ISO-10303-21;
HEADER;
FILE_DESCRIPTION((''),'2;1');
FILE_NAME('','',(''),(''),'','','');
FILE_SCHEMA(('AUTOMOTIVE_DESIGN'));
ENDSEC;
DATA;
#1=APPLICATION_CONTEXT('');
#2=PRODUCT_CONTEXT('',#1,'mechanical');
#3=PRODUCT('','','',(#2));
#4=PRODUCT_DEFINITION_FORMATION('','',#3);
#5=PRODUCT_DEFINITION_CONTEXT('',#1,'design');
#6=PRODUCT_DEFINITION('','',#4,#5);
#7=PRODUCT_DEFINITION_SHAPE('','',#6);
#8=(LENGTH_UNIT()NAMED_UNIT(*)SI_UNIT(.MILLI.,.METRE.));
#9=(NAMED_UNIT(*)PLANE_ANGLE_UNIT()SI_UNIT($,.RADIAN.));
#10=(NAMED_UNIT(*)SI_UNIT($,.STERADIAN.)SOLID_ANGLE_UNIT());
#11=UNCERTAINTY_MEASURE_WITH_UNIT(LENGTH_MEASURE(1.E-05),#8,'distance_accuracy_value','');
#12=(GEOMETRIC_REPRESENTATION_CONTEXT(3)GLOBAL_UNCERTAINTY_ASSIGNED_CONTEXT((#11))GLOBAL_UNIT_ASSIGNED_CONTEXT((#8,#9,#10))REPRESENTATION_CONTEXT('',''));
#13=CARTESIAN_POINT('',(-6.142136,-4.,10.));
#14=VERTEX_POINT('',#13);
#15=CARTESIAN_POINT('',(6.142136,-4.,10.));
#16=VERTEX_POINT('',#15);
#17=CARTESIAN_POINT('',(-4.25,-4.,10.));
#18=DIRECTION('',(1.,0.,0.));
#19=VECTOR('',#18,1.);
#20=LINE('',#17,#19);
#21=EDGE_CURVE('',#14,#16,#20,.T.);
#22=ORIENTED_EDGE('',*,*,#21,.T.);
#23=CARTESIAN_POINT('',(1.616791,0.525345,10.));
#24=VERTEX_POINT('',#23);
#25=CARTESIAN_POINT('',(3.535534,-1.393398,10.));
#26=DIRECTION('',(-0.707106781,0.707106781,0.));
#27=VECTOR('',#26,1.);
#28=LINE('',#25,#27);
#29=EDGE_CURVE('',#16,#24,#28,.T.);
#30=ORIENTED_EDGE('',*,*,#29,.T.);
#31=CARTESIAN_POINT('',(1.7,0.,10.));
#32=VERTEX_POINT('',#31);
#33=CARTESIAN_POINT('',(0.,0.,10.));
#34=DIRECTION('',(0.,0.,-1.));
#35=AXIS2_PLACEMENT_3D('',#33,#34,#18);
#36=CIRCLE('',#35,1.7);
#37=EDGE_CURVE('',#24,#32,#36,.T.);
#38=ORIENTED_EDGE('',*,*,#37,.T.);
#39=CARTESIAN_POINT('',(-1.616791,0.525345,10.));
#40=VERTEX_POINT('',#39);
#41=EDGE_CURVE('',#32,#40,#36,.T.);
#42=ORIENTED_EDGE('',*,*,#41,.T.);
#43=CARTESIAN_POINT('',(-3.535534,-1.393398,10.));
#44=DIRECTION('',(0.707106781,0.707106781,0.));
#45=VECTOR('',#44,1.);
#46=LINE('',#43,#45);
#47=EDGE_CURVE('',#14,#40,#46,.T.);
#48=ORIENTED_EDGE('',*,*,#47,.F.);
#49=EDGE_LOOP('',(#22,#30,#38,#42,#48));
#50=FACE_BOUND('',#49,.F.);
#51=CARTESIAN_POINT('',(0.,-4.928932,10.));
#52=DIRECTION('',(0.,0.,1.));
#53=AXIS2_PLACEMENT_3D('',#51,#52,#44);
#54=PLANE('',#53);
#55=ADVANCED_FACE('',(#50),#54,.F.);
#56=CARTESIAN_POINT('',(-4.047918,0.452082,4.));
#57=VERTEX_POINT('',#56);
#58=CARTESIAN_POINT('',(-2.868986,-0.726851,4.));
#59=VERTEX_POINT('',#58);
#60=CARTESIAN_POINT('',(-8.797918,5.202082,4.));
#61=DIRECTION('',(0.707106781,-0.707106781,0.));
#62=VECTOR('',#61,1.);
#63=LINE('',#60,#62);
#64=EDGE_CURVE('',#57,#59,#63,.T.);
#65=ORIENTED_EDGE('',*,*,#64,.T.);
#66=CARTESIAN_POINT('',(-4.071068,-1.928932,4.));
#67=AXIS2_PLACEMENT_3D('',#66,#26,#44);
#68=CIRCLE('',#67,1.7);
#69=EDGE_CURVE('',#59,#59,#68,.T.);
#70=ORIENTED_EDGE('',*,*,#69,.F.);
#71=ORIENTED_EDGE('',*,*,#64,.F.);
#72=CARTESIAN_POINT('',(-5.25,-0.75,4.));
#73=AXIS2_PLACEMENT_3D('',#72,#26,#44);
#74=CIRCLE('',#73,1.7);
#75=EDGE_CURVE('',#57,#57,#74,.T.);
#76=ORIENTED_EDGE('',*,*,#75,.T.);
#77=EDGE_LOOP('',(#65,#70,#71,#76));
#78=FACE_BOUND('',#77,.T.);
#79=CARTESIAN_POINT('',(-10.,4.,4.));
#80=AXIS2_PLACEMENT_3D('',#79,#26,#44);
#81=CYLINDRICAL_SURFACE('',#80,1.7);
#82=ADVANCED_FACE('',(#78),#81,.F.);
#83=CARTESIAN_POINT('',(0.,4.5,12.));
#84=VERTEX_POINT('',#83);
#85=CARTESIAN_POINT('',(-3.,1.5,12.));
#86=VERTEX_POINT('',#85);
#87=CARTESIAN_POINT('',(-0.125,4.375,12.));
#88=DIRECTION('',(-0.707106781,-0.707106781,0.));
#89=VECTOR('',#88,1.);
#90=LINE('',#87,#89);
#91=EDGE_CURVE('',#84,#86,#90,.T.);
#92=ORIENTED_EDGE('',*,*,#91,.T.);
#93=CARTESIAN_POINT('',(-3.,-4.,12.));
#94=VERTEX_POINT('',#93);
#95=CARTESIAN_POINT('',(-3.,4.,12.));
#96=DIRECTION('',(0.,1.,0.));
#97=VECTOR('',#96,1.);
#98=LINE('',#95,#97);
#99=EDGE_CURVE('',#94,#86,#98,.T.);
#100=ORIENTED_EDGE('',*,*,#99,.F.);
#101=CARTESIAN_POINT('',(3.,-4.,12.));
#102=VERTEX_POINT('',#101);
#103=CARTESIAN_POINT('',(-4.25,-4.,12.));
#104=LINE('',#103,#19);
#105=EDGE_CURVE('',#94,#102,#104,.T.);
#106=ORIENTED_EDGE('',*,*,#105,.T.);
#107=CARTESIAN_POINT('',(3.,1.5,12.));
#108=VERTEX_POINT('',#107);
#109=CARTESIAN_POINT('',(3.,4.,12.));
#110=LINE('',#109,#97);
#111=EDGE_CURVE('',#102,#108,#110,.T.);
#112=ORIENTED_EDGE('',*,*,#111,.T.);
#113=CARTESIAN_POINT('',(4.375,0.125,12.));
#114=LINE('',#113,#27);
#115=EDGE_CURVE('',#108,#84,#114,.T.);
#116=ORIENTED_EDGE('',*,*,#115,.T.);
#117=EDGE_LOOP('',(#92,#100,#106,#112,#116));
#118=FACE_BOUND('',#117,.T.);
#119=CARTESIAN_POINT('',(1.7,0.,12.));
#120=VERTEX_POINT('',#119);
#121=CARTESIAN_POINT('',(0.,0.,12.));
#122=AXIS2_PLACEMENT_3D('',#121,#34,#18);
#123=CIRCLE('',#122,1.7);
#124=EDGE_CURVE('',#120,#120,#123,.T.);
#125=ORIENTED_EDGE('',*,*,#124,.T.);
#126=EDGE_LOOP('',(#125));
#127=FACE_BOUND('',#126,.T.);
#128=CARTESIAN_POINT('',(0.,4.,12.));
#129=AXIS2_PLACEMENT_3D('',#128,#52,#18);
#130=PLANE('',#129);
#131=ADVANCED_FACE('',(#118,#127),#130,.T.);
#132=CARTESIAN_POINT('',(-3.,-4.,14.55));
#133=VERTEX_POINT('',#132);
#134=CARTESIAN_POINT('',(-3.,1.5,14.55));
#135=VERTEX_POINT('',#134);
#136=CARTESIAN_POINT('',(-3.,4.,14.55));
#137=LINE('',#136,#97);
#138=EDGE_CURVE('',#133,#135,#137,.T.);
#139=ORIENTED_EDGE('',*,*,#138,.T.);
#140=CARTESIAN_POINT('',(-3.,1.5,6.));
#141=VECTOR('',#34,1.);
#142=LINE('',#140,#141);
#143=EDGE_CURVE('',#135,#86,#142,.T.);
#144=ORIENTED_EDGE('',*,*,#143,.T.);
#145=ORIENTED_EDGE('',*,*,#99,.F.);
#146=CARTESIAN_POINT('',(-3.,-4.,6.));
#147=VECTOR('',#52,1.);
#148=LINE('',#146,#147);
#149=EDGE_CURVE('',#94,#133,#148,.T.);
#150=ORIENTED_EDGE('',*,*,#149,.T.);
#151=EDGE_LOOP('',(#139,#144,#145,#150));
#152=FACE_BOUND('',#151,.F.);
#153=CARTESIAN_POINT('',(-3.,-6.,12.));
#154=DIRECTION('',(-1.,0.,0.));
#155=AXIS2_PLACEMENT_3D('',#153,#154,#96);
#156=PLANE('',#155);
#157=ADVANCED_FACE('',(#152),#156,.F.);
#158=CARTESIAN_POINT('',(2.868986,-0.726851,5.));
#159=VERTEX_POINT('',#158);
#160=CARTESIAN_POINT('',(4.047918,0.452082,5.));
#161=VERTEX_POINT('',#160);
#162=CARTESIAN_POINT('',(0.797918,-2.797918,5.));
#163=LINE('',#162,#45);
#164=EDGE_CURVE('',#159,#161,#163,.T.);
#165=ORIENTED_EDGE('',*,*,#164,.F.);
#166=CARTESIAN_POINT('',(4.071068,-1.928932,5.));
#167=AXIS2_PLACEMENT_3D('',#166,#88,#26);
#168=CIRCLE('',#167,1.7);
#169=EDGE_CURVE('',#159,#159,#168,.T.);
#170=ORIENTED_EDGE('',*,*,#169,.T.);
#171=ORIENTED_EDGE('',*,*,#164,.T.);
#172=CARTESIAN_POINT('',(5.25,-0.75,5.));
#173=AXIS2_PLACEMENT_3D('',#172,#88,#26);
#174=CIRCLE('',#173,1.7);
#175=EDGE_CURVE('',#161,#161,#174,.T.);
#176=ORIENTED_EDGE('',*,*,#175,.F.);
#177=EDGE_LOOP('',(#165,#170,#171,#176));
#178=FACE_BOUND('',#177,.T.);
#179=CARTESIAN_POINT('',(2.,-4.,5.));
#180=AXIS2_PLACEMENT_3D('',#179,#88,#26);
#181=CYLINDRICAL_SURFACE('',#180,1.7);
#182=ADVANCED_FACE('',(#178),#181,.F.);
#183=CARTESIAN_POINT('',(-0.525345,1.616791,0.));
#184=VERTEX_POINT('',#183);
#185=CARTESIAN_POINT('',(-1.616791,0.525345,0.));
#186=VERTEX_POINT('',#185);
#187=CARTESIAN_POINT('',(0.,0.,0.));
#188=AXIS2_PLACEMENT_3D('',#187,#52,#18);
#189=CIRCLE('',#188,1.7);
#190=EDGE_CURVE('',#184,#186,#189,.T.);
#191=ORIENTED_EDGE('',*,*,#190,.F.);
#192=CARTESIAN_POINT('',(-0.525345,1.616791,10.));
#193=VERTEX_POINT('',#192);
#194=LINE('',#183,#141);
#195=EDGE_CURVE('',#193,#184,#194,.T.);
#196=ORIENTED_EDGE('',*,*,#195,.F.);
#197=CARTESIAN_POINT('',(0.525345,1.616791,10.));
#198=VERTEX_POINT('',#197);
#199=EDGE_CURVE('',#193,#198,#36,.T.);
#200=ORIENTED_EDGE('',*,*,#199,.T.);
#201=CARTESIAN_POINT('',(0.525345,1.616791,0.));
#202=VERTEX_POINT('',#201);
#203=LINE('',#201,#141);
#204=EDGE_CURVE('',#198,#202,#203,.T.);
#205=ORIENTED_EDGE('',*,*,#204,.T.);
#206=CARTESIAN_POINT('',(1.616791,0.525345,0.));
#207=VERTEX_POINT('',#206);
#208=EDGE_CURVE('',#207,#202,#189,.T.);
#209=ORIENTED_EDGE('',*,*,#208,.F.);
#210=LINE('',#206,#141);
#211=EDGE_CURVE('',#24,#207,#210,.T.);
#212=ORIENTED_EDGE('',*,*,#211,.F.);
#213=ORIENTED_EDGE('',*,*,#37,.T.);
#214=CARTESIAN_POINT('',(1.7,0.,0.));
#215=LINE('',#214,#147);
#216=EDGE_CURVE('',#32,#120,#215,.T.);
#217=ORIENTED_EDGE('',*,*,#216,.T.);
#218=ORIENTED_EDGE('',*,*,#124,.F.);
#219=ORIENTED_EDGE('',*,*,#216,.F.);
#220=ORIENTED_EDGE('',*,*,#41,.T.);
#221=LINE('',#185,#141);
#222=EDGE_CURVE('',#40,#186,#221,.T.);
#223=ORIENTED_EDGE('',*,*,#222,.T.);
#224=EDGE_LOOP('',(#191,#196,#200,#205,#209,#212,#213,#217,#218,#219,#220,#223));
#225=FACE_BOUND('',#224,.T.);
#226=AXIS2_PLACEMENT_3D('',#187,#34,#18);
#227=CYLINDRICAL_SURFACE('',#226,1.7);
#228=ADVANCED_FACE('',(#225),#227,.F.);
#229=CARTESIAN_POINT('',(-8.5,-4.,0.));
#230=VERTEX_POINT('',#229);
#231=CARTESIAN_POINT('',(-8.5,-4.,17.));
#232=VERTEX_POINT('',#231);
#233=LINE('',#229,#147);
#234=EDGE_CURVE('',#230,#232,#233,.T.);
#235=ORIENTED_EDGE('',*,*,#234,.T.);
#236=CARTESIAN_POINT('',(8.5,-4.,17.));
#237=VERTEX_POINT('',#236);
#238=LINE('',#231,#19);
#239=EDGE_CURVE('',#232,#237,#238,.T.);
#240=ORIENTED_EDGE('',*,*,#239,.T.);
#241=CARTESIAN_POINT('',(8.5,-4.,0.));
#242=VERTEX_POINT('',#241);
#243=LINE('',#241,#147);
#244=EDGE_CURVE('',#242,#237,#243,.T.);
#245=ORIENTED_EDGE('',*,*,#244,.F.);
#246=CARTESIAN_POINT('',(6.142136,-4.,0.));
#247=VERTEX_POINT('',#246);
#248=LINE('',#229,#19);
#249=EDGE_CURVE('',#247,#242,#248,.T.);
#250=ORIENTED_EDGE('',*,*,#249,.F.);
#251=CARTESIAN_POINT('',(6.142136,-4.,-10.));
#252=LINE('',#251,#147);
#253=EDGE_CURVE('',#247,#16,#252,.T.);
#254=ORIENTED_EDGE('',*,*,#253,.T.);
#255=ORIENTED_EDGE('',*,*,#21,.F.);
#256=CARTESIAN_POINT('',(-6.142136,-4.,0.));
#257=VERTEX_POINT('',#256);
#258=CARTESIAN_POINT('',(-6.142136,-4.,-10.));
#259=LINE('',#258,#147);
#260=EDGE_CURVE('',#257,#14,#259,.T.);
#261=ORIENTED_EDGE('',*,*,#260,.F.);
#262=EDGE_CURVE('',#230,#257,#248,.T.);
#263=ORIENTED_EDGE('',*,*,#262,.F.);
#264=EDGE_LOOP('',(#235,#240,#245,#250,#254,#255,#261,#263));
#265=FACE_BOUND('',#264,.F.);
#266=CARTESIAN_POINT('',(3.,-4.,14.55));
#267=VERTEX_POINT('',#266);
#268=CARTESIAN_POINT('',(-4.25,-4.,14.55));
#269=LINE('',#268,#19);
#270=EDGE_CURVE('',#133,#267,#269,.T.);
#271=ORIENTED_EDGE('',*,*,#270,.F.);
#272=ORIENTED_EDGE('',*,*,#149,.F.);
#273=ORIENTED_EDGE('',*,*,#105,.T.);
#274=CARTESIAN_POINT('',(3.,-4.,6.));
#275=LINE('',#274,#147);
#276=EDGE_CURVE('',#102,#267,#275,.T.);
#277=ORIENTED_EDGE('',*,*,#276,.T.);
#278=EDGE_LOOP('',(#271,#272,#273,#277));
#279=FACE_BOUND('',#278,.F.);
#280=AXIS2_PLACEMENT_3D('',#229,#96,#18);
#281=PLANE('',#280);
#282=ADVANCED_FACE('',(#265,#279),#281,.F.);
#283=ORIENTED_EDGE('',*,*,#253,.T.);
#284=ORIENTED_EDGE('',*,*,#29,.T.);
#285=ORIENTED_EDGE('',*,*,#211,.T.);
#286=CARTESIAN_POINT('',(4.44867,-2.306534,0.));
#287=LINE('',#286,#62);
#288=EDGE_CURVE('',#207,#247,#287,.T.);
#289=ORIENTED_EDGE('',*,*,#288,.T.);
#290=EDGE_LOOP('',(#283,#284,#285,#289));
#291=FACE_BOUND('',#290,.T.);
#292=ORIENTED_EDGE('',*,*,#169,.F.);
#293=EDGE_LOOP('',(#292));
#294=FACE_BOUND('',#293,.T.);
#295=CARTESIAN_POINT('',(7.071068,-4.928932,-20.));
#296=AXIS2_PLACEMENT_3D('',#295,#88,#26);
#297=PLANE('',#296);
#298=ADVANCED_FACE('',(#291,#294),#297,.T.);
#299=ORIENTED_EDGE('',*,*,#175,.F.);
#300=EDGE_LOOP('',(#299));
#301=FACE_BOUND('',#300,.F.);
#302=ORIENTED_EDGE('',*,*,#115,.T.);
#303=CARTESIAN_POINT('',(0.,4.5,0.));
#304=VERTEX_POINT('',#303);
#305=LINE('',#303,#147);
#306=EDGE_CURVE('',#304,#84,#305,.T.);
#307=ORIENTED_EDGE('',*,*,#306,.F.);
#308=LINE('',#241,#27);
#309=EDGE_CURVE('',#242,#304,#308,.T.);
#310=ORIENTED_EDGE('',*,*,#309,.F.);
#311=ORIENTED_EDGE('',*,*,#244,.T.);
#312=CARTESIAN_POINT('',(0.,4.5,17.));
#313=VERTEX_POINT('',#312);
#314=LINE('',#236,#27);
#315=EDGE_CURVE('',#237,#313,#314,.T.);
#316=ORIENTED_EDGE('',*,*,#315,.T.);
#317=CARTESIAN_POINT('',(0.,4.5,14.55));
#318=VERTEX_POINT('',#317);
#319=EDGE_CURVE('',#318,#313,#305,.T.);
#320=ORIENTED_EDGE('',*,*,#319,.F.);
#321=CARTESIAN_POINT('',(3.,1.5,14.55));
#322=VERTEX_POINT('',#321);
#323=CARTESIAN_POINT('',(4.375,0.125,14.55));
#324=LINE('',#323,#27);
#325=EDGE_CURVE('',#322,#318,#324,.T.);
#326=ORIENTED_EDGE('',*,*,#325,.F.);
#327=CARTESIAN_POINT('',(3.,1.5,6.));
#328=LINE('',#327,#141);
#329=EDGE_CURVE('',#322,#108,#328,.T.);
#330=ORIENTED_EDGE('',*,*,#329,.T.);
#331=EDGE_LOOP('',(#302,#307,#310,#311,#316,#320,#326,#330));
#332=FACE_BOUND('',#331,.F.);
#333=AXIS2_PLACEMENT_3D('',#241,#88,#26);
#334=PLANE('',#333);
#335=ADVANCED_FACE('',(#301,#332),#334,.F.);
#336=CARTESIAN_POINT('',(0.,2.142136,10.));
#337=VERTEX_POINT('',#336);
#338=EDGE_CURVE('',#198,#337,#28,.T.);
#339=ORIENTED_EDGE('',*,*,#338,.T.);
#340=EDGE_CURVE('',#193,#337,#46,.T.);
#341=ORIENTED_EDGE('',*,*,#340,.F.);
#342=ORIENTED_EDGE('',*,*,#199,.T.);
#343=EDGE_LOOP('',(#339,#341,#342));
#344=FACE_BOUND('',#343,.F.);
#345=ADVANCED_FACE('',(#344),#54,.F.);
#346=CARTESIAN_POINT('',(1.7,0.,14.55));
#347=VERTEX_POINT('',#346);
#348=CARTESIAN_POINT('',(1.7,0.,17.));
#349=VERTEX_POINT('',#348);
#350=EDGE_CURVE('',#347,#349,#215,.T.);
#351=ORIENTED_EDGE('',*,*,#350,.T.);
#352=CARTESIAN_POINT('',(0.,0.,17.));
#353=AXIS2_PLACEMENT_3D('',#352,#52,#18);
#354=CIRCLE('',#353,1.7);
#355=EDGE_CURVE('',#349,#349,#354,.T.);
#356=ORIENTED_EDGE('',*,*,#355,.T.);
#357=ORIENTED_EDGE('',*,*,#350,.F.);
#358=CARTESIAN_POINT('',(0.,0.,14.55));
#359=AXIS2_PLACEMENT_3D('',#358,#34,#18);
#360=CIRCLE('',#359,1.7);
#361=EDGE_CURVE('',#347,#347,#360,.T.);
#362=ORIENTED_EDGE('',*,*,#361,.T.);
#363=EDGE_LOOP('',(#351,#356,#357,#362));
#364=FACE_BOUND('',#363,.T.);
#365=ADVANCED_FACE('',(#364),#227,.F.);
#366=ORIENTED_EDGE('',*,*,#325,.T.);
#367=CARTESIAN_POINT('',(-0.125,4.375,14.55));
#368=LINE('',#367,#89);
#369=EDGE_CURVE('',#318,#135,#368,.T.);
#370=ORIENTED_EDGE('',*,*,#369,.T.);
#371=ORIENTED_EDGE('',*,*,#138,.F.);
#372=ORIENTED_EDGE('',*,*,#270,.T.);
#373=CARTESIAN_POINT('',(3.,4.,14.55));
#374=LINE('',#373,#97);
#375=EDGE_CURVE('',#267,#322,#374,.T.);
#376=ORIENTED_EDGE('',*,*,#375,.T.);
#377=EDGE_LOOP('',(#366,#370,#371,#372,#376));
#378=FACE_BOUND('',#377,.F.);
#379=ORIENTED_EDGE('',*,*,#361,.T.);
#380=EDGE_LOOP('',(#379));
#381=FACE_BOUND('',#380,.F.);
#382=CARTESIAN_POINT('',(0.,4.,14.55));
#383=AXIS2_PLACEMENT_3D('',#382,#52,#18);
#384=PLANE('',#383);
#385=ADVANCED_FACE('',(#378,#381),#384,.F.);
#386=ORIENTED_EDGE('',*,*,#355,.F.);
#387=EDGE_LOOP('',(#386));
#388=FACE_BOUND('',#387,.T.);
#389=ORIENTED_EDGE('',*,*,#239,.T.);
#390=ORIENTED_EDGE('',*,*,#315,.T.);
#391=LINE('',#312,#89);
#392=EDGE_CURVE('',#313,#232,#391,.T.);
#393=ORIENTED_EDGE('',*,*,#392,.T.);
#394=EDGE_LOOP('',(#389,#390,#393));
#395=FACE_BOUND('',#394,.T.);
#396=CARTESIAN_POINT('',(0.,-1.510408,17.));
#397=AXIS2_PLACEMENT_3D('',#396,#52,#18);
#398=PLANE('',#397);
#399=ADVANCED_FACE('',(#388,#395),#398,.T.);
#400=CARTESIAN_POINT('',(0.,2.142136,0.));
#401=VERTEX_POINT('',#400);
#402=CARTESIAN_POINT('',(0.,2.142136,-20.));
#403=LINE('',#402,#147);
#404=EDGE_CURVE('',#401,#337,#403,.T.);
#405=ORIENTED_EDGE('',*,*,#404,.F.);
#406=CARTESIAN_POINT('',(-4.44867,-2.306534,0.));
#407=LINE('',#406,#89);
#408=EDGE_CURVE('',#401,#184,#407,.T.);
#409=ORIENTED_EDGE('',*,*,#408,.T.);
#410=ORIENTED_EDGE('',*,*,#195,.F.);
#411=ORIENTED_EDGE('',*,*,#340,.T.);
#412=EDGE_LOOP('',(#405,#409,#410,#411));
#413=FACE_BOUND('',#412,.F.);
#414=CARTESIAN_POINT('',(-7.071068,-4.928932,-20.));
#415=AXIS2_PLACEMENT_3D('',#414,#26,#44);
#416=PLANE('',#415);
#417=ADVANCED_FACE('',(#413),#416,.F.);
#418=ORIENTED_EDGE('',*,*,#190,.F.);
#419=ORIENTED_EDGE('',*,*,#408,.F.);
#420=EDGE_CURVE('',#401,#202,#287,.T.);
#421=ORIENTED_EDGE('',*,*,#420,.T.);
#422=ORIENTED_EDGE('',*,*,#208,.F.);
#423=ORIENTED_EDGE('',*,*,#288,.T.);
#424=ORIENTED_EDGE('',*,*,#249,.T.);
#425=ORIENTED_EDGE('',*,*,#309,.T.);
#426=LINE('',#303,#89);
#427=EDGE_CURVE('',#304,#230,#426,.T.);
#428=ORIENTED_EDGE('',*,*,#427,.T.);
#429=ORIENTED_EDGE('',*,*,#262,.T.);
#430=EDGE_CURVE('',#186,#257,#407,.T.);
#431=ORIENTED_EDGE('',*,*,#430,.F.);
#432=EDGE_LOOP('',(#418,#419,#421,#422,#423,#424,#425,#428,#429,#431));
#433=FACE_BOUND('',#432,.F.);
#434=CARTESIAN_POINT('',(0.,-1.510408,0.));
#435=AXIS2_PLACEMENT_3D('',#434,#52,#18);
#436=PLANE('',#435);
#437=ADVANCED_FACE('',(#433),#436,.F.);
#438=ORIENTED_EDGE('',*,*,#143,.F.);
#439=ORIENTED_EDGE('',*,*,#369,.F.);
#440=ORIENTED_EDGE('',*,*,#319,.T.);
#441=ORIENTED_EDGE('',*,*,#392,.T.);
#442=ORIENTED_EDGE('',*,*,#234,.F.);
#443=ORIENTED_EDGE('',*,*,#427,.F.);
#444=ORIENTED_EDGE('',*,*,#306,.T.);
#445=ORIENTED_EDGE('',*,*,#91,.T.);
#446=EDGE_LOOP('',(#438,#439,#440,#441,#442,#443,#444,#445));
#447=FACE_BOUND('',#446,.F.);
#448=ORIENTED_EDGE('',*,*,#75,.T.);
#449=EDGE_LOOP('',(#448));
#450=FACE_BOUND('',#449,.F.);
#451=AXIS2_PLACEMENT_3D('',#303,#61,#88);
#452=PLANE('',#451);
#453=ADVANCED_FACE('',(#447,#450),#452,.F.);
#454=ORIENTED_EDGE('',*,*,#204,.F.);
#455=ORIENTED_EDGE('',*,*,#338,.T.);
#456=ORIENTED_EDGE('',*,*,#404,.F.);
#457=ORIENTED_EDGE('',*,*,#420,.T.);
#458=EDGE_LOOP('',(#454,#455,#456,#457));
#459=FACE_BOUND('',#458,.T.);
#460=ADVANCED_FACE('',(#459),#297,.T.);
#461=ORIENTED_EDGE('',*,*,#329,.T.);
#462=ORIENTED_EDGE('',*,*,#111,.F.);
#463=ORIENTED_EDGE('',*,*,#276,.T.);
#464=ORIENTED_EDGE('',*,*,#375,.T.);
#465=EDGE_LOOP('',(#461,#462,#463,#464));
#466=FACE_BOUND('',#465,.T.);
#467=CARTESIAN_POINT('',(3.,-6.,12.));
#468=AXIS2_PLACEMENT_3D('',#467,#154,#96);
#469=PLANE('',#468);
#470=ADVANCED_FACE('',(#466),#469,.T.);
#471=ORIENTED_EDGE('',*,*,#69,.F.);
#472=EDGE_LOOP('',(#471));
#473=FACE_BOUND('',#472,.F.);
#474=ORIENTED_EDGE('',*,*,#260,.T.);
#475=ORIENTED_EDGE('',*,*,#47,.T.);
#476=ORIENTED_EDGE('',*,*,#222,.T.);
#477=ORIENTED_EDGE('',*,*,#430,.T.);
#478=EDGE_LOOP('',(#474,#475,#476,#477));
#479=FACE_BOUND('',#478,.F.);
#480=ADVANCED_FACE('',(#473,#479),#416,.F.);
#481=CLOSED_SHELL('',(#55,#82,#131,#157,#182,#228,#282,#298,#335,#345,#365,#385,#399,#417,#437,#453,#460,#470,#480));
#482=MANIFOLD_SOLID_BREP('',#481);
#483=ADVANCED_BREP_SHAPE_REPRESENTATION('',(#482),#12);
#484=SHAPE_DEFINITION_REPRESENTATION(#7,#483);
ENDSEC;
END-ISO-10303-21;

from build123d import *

# Parameters (mm, degrees)
SKETCH048_R       = 1.7
PAD023_DEPTH      = 17
BOX_W             = 6
BOX_H             = 20
BOX_DEPTH         = 2.55
BOX001_W          = 10
BOX001_H          = 10
BOX001_DEPTH      = 30
CYLINDER_R        = 1.7
CYLINDER_DEPTH    = 10
CYLINDER001_R     = 1.7
CYLINDER001_DEPTH = 11


with BuildPart() as part:
    # Sketch048 → Pad023 (new body)
    with BuildSketch(Plane.XY):
        Polygon((0, 4.5), (-8.5, -4), (8.5, -4), align=None)
        Circle(SKETCH048_R, mode=Mode.SUBTRACT)
    extrude(amount=PAD023_DEPTH)

    # Box → Box (cut)
    with BuildSketch(Plane(origin=(-3, -6, 12), x_dir=(1, 0, 0), z_dir=(0, 0, 1))):
        with Locations((3, 10)):
            Rectangle(BOX_W, BOX_H)
    extrude(amount=BOX_DEPTH, mode=Mode.SUBTRACT)

    # Box001 → Box001 (cut)
    with BuildSketch(Plane(origin=(0, -12, -20), x_dir=(0.707107, 0.707107, 0), z_dir=(0, 0, 1))):
        with Locations((5, 5)):
            Rectangle(BOX001_W, BOX001_H)
    extrude(amount=BOX001_DEPTH, mode=Mode.SUBTRACT)

    # Cylinder → Cylinder (cut)
    with BuildSketch(Plane(origin=(2, -4, 5), x_dir=(-0.707107, 0.707107, 0), z_dir=(0.707107, 0.707107, 0))):
        Circle(CYLINDER_R)
    extrude(amount=CYLINDER_DEPTH, mode=Mode.SUBTRACT)

    # Cylinder001 → Cylinder001 (cut)
    with BuildSketch(Plane(origin=(-10, 4, 4), x_dir=(0.707107, 0.707107, 0), z_dir=(0.707107, -0.707107, 0))):
        Circle(CYLINDER001_R)
    extrude(amount=CYLINDER001_DEPTH, mode=Mode.SUBTRACT)


solid = part.part
